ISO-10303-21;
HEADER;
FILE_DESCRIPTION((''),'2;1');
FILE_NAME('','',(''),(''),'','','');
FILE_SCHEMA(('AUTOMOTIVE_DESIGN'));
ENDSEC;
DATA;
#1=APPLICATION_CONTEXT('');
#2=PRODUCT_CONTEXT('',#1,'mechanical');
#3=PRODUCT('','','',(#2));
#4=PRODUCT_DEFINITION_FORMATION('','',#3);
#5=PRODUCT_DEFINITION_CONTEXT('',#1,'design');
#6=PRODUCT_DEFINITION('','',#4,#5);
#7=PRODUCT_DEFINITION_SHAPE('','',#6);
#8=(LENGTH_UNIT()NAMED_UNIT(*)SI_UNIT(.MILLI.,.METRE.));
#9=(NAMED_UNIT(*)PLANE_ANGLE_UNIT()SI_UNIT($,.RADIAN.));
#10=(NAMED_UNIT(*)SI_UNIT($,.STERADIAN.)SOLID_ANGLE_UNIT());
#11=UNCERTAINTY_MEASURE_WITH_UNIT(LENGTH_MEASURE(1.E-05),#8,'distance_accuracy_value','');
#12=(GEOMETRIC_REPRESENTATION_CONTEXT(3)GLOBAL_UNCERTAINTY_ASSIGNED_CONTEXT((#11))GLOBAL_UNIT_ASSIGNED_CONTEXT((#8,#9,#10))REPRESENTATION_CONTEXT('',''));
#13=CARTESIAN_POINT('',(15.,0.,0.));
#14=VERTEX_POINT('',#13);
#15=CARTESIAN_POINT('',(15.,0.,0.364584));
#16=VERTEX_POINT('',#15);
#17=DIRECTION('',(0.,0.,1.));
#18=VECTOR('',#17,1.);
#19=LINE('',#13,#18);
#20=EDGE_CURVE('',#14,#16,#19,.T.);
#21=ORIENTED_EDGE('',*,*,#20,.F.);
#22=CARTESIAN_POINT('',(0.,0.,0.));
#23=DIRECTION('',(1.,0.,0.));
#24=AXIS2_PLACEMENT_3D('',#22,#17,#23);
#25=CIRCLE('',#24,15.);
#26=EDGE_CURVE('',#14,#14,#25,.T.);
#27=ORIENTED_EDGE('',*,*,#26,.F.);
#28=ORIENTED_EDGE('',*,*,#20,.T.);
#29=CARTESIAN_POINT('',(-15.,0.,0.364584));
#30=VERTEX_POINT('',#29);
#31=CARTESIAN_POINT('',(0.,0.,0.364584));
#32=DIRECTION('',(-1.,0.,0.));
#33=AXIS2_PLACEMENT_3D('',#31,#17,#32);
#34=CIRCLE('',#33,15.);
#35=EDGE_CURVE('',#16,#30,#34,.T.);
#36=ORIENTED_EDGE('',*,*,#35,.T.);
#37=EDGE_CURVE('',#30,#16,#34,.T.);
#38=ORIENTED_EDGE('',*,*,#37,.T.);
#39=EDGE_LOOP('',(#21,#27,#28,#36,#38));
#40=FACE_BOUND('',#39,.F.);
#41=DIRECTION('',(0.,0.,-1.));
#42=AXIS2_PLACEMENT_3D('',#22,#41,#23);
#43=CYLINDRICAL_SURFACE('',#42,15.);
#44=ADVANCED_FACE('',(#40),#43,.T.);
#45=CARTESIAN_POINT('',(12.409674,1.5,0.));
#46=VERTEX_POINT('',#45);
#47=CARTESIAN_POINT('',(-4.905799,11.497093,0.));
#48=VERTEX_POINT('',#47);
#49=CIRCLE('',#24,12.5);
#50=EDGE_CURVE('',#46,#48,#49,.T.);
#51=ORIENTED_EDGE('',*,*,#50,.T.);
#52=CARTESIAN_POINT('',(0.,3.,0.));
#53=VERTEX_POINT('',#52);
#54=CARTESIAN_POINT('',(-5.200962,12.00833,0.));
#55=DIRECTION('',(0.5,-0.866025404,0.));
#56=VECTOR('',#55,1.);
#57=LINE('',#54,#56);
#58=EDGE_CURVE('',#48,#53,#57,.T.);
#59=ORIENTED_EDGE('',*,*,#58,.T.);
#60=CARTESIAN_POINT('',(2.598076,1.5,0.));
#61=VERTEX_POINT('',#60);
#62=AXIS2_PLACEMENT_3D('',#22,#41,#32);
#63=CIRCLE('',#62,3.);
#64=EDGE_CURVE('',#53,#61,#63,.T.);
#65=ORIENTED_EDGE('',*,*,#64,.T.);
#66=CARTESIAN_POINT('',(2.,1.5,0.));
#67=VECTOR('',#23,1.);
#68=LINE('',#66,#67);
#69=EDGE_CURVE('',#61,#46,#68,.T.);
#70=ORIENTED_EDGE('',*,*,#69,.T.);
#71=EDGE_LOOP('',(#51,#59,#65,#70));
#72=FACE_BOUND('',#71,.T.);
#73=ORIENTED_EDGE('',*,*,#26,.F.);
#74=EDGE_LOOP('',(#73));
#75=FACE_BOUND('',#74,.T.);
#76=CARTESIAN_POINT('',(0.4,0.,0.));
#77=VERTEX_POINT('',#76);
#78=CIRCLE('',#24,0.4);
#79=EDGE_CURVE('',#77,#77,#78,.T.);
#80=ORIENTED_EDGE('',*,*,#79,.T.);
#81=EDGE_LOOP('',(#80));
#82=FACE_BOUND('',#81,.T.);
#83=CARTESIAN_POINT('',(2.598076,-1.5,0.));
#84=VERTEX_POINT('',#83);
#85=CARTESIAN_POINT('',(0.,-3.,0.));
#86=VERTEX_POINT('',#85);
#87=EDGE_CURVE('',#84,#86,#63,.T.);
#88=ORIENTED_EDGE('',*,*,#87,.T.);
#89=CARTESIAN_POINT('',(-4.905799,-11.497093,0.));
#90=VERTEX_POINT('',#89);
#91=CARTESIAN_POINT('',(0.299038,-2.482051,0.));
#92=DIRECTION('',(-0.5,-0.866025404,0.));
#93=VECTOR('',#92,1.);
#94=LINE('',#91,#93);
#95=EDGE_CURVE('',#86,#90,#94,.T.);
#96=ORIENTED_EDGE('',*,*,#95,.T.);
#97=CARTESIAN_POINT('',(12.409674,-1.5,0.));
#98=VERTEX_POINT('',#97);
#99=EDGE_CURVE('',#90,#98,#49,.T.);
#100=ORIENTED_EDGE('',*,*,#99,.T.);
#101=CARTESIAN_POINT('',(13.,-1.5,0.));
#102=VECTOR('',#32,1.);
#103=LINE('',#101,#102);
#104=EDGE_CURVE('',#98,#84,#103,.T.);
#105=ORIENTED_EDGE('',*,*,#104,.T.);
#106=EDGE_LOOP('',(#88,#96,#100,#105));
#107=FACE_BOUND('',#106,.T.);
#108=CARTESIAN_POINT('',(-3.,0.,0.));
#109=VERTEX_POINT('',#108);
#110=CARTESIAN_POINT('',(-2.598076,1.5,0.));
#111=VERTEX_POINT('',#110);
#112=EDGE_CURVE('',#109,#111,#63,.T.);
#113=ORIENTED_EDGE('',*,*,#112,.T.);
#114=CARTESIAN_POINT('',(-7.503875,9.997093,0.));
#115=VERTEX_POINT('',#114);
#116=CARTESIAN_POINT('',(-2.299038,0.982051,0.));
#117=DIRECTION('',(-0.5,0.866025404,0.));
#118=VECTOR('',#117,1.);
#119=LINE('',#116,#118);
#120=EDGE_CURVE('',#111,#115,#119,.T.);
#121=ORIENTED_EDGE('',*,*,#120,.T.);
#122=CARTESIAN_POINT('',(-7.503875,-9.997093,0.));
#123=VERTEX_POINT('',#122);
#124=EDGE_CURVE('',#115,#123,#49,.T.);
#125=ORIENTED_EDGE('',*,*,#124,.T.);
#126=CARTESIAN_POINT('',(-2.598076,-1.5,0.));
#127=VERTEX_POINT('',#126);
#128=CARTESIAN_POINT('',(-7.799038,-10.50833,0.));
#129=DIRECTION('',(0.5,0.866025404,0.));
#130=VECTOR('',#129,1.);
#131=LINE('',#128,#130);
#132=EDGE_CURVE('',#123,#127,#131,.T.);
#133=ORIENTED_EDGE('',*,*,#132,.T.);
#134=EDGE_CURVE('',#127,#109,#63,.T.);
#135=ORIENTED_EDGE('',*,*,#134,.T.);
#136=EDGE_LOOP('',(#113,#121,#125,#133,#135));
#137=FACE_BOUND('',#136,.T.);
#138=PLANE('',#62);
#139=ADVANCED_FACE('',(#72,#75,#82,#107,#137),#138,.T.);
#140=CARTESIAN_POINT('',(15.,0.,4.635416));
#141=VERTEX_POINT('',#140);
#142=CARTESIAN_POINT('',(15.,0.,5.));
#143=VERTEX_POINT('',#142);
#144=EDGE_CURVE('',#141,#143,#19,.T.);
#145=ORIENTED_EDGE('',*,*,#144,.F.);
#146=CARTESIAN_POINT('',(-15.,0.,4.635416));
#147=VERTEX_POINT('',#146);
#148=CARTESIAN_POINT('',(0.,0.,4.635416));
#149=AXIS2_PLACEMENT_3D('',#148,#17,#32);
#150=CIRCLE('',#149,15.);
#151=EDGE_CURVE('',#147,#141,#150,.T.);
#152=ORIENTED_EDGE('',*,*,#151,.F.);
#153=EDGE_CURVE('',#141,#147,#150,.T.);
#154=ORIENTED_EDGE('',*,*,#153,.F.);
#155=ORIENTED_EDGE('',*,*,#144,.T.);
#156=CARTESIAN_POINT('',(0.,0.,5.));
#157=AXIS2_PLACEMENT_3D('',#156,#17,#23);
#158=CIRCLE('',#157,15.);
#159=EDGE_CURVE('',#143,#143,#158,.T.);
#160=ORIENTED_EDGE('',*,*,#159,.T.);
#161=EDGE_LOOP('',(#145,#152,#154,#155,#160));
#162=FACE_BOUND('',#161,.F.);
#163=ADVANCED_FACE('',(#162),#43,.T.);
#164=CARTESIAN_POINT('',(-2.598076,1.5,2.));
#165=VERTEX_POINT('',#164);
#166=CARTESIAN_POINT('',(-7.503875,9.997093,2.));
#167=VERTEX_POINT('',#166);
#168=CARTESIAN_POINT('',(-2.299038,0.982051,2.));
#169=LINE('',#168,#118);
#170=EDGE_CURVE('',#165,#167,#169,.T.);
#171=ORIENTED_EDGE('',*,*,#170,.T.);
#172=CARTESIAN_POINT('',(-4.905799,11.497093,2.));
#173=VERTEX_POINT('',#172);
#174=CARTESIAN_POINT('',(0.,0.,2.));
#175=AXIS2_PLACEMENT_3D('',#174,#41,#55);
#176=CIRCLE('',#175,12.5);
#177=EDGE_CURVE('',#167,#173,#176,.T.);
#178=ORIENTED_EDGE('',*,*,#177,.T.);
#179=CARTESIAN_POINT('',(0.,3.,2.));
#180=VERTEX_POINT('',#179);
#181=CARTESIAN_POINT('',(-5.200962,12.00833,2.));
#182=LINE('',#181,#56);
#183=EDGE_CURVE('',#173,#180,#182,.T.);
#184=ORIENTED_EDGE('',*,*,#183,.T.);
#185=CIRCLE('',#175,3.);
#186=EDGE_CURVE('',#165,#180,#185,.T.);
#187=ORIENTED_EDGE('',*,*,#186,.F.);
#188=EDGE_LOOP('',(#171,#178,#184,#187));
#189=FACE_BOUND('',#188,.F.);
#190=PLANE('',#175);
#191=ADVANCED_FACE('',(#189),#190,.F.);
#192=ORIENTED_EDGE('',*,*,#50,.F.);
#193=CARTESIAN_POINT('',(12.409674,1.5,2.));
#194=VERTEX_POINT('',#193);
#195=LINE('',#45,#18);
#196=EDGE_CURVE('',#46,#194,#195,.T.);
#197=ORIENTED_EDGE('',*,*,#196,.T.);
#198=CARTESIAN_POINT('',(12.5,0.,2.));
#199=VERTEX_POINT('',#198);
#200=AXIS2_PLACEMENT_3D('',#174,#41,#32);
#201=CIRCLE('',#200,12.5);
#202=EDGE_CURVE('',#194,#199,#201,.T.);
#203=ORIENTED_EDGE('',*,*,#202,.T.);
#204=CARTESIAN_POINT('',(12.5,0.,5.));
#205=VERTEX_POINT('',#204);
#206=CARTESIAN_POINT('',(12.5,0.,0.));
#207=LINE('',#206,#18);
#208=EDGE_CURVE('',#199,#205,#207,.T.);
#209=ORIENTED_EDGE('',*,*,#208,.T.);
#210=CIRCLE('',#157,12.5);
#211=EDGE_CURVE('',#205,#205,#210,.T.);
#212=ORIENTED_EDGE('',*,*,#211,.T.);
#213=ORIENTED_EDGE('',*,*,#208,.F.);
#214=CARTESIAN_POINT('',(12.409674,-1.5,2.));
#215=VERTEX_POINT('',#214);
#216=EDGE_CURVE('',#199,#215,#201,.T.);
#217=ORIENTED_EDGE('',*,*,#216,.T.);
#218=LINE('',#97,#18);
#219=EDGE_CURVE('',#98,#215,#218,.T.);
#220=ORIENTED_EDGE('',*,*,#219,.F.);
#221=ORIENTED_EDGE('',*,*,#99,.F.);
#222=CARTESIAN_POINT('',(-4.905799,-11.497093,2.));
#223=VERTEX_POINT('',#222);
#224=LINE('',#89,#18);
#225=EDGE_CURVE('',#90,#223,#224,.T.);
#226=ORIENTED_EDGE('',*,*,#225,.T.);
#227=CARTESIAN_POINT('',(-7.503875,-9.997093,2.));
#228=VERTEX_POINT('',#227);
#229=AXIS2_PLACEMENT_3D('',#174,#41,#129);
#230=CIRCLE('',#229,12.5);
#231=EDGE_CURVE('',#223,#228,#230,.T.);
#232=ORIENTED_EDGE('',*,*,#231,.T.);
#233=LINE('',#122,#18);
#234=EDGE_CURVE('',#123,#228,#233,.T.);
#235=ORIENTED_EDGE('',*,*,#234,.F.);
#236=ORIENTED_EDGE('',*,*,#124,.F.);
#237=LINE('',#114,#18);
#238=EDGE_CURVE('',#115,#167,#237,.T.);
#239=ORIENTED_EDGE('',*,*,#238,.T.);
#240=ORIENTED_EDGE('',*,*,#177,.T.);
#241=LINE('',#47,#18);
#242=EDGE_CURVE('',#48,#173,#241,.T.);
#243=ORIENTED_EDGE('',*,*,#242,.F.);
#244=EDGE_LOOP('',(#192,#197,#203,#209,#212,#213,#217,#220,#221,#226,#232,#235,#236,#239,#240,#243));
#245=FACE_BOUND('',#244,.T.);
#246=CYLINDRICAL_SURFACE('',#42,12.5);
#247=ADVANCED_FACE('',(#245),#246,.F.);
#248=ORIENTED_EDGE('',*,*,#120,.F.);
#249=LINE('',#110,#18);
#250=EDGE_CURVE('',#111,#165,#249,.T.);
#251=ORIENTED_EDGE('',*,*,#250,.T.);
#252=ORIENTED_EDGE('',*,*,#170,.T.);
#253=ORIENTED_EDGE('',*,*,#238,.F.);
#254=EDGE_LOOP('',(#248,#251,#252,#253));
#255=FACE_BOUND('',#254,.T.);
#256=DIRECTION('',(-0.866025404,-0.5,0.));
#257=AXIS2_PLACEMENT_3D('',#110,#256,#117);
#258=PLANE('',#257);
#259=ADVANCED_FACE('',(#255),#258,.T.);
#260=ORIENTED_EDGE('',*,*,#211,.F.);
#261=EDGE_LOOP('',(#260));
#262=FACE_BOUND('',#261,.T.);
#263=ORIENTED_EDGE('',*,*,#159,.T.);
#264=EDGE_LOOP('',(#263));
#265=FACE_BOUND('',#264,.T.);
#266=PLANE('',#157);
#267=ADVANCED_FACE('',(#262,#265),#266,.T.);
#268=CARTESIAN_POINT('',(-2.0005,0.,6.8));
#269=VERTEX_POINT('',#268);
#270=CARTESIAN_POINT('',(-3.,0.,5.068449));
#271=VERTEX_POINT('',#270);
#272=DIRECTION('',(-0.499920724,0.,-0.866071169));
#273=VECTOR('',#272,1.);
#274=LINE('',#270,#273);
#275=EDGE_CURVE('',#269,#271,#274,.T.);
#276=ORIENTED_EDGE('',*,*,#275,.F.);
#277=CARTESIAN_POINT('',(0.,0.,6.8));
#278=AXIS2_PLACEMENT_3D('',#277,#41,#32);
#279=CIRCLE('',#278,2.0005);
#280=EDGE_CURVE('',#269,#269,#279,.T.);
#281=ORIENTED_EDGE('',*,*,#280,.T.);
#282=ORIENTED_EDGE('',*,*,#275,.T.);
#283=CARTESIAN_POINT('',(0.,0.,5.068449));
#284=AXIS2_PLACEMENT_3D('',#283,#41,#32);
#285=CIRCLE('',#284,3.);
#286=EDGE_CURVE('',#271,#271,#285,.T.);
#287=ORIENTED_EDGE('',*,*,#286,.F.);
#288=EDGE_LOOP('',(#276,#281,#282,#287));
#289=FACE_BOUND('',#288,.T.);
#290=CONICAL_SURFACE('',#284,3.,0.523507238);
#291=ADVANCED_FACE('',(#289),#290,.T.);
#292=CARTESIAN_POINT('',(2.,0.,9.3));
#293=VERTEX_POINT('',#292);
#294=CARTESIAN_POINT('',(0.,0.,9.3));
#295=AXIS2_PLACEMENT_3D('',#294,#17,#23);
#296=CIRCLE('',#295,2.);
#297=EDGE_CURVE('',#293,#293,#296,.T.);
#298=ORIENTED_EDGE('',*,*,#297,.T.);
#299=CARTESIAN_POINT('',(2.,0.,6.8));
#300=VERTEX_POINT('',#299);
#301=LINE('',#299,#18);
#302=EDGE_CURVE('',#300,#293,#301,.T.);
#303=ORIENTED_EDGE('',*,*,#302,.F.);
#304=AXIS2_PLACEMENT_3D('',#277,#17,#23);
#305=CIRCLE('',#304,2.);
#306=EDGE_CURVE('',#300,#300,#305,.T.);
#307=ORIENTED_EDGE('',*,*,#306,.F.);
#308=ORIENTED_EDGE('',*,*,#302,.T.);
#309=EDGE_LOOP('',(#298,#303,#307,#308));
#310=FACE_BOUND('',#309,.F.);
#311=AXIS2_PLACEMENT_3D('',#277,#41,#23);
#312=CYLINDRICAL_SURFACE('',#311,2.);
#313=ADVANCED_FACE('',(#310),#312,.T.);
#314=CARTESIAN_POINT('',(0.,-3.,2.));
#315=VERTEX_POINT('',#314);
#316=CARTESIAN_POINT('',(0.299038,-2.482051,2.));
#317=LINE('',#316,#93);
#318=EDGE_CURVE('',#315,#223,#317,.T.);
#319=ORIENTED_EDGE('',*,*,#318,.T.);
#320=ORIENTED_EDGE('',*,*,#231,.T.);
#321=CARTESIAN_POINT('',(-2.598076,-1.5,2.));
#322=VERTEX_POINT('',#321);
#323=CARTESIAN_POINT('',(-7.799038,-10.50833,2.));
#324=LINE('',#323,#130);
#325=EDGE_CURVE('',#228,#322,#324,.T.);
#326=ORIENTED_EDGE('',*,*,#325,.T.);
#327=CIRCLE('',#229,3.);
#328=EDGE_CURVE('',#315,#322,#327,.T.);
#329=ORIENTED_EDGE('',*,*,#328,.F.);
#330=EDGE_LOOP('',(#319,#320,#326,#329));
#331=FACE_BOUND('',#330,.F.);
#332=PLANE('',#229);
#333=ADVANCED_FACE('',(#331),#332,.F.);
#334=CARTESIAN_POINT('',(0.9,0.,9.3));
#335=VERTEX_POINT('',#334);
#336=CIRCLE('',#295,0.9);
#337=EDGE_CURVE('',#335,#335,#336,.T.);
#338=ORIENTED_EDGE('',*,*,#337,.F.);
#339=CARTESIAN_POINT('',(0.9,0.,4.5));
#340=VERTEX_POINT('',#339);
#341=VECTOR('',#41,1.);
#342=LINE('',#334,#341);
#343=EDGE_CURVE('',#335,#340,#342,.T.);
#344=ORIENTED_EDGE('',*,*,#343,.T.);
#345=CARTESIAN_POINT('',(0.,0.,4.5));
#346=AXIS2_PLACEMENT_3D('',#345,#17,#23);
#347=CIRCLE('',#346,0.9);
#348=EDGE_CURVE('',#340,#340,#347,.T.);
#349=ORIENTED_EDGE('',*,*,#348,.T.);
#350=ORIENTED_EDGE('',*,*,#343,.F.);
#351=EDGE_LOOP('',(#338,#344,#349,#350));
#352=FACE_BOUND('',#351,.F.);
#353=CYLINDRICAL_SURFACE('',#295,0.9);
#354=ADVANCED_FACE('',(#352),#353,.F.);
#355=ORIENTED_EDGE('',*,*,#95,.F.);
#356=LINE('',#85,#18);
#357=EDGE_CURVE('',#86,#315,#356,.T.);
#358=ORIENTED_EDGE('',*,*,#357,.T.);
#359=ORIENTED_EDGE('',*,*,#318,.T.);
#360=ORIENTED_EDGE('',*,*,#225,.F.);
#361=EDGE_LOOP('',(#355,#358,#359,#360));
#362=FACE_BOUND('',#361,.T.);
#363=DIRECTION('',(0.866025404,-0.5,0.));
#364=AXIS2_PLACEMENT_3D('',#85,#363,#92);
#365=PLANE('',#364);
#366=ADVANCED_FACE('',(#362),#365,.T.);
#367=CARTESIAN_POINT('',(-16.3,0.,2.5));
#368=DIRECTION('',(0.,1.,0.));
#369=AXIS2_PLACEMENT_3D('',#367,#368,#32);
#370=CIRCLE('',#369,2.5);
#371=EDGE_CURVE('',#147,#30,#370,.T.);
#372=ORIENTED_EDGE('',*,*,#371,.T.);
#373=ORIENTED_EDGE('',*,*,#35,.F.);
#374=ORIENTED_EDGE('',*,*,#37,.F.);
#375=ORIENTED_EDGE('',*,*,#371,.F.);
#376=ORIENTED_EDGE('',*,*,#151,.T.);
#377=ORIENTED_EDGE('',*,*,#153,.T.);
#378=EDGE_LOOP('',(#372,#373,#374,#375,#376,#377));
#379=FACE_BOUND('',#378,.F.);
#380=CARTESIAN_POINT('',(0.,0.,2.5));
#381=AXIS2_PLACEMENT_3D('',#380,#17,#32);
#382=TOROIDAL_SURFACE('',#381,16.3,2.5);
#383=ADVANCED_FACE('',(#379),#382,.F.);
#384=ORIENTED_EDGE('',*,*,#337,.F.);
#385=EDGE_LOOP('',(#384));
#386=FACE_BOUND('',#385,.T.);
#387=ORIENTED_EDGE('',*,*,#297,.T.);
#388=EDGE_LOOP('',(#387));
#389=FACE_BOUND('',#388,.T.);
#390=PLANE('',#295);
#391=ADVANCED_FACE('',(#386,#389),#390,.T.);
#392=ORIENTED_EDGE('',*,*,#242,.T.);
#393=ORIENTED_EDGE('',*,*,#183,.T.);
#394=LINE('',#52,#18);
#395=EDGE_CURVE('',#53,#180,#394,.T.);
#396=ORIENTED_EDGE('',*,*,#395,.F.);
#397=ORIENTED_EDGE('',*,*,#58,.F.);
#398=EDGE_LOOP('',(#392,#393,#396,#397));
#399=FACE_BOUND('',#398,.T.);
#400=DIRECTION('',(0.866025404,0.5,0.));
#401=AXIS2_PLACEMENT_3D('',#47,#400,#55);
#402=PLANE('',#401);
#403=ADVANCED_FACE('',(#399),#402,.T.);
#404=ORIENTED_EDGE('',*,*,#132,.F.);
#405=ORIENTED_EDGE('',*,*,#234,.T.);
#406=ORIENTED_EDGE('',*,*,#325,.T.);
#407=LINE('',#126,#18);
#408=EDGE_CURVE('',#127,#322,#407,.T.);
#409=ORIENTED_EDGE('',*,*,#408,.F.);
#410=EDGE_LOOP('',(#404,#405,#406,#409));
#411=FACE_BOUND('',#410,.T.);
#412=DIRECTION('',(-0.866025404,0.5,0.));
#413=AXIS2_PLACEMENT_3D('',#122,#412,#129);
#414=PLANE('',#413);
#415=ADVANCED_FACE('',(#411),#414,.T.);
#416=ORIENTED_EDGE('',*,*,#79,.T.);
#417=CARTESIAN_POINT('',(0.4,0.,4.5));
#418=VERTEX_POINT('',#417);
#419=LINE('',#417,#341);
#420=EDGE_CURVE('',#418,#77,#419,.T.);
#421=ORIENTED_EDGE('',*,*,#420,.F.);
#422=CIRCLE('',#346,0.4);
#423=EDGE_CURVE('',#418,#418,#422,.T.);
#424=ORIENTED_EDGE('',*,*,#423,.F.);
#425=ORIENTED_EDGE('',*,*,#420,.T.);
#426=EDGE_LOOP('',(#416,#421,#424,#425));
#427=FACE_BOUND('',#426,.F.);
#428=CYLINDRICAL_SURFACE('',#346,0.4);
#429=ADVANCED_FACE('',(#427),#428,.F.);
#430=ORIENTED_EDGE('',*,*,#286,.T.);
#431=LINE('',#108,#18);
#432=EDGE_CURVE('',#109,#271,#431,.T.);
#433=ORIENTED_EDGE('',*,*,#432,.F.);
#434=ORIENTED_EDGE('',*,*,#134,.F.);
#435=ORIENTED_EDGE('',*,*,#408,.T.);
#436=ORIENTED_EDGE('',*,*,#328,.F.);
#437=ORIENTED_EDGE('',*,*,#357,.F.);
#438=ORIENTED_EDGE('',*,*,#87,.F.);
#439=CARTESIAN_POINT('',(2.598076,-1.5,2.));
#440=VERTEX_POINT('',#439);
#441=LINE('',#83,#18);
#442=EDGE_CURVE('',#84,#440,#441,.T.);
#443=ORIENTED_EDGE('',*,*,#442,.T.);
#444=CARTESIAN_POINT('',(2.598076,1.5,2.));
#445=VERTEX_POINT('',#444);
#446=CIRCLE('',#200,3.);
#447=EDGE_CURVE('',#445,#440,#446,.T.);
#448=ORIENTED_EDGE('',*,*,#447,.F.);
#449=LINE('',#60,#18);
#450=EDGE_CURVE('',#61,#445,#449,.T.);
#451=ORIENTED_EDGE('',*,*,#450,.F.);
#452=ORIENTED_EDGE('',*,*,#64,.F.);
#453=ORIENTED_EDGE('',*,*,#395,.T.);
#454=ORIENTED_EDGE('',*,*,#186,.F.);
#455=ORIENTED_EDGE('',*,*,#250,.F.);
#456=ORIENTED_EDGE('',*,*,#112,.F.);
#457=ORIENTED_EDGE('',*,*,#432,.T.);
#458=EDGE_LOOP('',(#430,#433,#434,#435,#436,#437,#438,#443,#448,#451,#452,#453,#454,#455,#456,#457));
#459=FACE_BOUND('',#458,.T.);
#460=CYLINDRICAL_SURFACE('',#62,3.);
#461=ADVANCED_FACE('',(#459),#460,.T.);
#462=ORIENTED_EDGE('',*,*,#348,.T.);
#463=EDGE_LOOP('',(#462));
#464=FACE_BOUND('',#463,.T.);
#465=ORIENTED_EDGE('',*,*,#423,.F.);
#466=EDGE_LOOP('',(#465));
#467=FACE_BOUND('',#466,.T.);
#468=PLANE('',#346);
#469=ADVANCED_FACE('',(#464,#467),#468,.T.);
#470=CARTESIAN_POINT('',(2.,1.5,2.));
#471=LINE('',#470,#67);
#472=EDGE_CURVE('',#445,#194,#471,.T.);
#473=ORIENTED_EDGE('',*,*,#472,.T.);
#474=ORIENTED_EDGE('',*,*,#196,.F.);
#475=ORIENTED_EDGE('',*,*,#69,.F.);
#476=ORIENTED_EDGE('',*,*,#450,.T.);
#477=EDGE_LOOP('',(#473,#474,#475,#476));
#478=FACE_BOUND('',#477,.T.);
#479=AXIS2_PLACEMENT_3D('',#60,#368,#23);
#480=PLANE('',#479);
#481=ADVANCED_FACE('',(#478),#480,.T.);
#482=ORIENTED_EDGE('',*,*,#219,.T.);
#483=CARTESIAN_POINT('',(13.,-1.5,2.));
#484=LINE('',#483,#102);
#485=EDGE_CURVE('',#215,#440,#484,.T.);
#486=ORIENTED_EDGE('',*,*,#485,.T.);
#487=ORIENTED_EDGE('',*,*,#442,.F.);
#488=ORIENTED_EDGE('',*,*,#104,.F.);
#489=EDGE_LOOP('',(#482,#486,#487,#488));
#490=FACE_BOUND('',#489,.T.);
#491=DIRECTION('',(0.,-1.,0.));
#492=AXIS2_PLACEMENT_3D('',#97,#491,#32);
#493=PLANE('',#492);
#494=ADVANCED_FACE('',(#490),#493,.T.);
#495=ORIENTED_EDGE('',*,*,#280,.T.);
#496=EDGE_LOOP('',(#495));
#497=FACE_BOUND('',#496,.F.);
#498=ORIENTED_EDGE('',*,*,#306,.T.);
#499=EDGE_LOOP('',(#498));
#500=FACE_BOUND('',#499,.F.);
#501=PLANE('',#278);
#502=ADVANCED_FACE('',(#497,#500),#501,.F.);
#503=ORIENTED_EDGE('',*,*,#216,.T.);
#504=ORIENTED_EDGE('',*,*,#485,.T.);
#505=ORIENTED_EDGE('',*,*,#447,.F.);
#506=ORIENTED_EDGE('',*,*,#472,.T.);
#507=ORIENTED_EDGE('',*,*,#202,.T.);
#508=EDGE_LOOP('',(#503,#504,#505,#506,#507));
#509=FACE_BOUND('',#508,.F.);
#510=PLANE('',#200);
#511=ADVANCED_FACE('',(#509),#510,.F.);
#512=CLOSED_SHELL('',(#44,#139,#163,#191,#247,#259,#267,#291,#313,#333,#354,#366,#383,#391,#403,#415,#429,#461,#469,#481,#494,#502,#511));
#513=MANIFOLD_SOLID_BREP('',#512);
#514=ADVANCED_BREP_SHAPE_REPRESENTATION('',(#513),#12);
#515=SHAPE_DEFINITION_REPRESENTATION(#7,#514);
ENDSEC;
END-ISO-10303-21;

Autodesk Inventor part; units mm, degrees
ref_plane "YZ Plane" through (0, 0, 0) normal (1, 0, 0) x (0, 1, 0)
ref_plane "XZ Plane" through (0, 0, 0) normal (0, 1, 0) x (-1, 0, 0)
ref_plane "XY Plane" through (0, 0, 0) normal (0, 0, 1) x (1, 0, 0)
sketch "Sketch1" plane through (0, 0, 0) normal (0, 0, 1) x (1, 0, 0)
  circle A0 centre (0, 0) radius 15
  circle A1 centre (0, 0) radius 12.5
  dimension "d0" = 30
  dimension "d1" = 25
extrude "Extrusion1" add sketch "Sketch1" along normal blind 5
sketch "Sketch2" plane through (0, 0, 0) normal (0, 0, -1) x (-1, 0, 0)
  circle A0 centre (0, 0) radius 3
  dimension "d5" = 6
extrude "Extrusion2" add sketch "Sketch2" against normal blind 6.8
sketch "Sketch3" plane through (0, 0, 6.8) normal (0, 0, 1) x (1, 0, 0)
  circle A0 centre (0, 0) radius 2
  dimension "d8" = 4
extrude "Extrusion3" add sketch "Sketch3" along normal blind 2.5
chamfer "Chamfer1" distance 1 angle 60 1 edges at (3, 0, 6.8) measured on face at (-2.6182, -0.3989, 6.8)
sketch "Sketch4" plane through (0, 0, 9.3) normal (0, 0, 1) x (1, 0, 0)
  circle A0 centre (0, 0) radius 0.9
  dimension "d14" = 1.8
extrude "Extrusion4" cut sketch "Sketch4" against normal blind 4.8
sketch "Sketch5" plane through (0, 0, 0) normal (0, 0, -1) x (-1, 0, 0)
  line L0 (-2, 1.5) -> (-13, 1.5)
  line L1 (-13, 1.5) -> (-13, -1.5)
  line L2 (-13, -1.5) -> (-2, -1.5)
  line L3 (-2, -1.5) -> (-2, 1.5)
  circle A0 centre (0, 0) radius 0.9 projected
  line L4 (0, 0) -> (-17.4633, 0) construction
  circle A1 centre (0, 0) radius 3
  circle A2 centre (0, 0) radius 12.5
  point P0 (-13, 0)
  point P1 (-12.4097, 1.5)
  point P2 (-12.4097, -1.5)
  point P3 (-2.5981, -1.5)
  point P4 (-2.5981, 1.5)
  dimension "d19" = 3
  dimension "d20" = 11
extrude "Extrusion6" add sketch "Sketch5" against normal blind 2 contours A1 L2 A2 L0 picked at (-9.3212, 0.1045)
pattern_circular "Circular Pattern2" count 3 over 360 about axis through (0, 0, -10) along (0, 0, 1) of "Extrusion6"
sketch "Sketch6" plane through (0, 0, 4.5) normal (0, 0, 1) x (1, 0, 0)
  circle A0 centre (0, 0) radius 2 projected
  circle A1 centre (0, 0) radius 0.4
  dimension "d32" = 0.8
extrude "Extrusion7" cut sketch "Sketch6" against normal blind 5.3 contours A1
sketch "Sketch7" plane through (0, 0, 0) normal (0, 1, 0) x (-1, 0, 0)
  point P0 (0, 0)
sketch "Sketch8" plane through (0, 0, 0) normal (0, 1, 0) x (-1, 0, 0)
  line L0 (15, 0) -> (15, 5) projected
  circle A0 centre (16.3, 2.5) radius 2.5
  line L1 (0, 0) -> (0, 2) projected
  line L2 (0, 0) -> (0, 12.0754) construction
  point P0 (15, 2.5)
  point P1 (15, 4.6354)
  point P2 (15, 0.3646)
  dimension "d35" = 5
  dimension "d36" = 1.3
revolve "Revolution1" cut sketch "Sketch8" angle 360 about axis through (0, 0, 0) along (0, 0, 1)
properties part number "Koło"
